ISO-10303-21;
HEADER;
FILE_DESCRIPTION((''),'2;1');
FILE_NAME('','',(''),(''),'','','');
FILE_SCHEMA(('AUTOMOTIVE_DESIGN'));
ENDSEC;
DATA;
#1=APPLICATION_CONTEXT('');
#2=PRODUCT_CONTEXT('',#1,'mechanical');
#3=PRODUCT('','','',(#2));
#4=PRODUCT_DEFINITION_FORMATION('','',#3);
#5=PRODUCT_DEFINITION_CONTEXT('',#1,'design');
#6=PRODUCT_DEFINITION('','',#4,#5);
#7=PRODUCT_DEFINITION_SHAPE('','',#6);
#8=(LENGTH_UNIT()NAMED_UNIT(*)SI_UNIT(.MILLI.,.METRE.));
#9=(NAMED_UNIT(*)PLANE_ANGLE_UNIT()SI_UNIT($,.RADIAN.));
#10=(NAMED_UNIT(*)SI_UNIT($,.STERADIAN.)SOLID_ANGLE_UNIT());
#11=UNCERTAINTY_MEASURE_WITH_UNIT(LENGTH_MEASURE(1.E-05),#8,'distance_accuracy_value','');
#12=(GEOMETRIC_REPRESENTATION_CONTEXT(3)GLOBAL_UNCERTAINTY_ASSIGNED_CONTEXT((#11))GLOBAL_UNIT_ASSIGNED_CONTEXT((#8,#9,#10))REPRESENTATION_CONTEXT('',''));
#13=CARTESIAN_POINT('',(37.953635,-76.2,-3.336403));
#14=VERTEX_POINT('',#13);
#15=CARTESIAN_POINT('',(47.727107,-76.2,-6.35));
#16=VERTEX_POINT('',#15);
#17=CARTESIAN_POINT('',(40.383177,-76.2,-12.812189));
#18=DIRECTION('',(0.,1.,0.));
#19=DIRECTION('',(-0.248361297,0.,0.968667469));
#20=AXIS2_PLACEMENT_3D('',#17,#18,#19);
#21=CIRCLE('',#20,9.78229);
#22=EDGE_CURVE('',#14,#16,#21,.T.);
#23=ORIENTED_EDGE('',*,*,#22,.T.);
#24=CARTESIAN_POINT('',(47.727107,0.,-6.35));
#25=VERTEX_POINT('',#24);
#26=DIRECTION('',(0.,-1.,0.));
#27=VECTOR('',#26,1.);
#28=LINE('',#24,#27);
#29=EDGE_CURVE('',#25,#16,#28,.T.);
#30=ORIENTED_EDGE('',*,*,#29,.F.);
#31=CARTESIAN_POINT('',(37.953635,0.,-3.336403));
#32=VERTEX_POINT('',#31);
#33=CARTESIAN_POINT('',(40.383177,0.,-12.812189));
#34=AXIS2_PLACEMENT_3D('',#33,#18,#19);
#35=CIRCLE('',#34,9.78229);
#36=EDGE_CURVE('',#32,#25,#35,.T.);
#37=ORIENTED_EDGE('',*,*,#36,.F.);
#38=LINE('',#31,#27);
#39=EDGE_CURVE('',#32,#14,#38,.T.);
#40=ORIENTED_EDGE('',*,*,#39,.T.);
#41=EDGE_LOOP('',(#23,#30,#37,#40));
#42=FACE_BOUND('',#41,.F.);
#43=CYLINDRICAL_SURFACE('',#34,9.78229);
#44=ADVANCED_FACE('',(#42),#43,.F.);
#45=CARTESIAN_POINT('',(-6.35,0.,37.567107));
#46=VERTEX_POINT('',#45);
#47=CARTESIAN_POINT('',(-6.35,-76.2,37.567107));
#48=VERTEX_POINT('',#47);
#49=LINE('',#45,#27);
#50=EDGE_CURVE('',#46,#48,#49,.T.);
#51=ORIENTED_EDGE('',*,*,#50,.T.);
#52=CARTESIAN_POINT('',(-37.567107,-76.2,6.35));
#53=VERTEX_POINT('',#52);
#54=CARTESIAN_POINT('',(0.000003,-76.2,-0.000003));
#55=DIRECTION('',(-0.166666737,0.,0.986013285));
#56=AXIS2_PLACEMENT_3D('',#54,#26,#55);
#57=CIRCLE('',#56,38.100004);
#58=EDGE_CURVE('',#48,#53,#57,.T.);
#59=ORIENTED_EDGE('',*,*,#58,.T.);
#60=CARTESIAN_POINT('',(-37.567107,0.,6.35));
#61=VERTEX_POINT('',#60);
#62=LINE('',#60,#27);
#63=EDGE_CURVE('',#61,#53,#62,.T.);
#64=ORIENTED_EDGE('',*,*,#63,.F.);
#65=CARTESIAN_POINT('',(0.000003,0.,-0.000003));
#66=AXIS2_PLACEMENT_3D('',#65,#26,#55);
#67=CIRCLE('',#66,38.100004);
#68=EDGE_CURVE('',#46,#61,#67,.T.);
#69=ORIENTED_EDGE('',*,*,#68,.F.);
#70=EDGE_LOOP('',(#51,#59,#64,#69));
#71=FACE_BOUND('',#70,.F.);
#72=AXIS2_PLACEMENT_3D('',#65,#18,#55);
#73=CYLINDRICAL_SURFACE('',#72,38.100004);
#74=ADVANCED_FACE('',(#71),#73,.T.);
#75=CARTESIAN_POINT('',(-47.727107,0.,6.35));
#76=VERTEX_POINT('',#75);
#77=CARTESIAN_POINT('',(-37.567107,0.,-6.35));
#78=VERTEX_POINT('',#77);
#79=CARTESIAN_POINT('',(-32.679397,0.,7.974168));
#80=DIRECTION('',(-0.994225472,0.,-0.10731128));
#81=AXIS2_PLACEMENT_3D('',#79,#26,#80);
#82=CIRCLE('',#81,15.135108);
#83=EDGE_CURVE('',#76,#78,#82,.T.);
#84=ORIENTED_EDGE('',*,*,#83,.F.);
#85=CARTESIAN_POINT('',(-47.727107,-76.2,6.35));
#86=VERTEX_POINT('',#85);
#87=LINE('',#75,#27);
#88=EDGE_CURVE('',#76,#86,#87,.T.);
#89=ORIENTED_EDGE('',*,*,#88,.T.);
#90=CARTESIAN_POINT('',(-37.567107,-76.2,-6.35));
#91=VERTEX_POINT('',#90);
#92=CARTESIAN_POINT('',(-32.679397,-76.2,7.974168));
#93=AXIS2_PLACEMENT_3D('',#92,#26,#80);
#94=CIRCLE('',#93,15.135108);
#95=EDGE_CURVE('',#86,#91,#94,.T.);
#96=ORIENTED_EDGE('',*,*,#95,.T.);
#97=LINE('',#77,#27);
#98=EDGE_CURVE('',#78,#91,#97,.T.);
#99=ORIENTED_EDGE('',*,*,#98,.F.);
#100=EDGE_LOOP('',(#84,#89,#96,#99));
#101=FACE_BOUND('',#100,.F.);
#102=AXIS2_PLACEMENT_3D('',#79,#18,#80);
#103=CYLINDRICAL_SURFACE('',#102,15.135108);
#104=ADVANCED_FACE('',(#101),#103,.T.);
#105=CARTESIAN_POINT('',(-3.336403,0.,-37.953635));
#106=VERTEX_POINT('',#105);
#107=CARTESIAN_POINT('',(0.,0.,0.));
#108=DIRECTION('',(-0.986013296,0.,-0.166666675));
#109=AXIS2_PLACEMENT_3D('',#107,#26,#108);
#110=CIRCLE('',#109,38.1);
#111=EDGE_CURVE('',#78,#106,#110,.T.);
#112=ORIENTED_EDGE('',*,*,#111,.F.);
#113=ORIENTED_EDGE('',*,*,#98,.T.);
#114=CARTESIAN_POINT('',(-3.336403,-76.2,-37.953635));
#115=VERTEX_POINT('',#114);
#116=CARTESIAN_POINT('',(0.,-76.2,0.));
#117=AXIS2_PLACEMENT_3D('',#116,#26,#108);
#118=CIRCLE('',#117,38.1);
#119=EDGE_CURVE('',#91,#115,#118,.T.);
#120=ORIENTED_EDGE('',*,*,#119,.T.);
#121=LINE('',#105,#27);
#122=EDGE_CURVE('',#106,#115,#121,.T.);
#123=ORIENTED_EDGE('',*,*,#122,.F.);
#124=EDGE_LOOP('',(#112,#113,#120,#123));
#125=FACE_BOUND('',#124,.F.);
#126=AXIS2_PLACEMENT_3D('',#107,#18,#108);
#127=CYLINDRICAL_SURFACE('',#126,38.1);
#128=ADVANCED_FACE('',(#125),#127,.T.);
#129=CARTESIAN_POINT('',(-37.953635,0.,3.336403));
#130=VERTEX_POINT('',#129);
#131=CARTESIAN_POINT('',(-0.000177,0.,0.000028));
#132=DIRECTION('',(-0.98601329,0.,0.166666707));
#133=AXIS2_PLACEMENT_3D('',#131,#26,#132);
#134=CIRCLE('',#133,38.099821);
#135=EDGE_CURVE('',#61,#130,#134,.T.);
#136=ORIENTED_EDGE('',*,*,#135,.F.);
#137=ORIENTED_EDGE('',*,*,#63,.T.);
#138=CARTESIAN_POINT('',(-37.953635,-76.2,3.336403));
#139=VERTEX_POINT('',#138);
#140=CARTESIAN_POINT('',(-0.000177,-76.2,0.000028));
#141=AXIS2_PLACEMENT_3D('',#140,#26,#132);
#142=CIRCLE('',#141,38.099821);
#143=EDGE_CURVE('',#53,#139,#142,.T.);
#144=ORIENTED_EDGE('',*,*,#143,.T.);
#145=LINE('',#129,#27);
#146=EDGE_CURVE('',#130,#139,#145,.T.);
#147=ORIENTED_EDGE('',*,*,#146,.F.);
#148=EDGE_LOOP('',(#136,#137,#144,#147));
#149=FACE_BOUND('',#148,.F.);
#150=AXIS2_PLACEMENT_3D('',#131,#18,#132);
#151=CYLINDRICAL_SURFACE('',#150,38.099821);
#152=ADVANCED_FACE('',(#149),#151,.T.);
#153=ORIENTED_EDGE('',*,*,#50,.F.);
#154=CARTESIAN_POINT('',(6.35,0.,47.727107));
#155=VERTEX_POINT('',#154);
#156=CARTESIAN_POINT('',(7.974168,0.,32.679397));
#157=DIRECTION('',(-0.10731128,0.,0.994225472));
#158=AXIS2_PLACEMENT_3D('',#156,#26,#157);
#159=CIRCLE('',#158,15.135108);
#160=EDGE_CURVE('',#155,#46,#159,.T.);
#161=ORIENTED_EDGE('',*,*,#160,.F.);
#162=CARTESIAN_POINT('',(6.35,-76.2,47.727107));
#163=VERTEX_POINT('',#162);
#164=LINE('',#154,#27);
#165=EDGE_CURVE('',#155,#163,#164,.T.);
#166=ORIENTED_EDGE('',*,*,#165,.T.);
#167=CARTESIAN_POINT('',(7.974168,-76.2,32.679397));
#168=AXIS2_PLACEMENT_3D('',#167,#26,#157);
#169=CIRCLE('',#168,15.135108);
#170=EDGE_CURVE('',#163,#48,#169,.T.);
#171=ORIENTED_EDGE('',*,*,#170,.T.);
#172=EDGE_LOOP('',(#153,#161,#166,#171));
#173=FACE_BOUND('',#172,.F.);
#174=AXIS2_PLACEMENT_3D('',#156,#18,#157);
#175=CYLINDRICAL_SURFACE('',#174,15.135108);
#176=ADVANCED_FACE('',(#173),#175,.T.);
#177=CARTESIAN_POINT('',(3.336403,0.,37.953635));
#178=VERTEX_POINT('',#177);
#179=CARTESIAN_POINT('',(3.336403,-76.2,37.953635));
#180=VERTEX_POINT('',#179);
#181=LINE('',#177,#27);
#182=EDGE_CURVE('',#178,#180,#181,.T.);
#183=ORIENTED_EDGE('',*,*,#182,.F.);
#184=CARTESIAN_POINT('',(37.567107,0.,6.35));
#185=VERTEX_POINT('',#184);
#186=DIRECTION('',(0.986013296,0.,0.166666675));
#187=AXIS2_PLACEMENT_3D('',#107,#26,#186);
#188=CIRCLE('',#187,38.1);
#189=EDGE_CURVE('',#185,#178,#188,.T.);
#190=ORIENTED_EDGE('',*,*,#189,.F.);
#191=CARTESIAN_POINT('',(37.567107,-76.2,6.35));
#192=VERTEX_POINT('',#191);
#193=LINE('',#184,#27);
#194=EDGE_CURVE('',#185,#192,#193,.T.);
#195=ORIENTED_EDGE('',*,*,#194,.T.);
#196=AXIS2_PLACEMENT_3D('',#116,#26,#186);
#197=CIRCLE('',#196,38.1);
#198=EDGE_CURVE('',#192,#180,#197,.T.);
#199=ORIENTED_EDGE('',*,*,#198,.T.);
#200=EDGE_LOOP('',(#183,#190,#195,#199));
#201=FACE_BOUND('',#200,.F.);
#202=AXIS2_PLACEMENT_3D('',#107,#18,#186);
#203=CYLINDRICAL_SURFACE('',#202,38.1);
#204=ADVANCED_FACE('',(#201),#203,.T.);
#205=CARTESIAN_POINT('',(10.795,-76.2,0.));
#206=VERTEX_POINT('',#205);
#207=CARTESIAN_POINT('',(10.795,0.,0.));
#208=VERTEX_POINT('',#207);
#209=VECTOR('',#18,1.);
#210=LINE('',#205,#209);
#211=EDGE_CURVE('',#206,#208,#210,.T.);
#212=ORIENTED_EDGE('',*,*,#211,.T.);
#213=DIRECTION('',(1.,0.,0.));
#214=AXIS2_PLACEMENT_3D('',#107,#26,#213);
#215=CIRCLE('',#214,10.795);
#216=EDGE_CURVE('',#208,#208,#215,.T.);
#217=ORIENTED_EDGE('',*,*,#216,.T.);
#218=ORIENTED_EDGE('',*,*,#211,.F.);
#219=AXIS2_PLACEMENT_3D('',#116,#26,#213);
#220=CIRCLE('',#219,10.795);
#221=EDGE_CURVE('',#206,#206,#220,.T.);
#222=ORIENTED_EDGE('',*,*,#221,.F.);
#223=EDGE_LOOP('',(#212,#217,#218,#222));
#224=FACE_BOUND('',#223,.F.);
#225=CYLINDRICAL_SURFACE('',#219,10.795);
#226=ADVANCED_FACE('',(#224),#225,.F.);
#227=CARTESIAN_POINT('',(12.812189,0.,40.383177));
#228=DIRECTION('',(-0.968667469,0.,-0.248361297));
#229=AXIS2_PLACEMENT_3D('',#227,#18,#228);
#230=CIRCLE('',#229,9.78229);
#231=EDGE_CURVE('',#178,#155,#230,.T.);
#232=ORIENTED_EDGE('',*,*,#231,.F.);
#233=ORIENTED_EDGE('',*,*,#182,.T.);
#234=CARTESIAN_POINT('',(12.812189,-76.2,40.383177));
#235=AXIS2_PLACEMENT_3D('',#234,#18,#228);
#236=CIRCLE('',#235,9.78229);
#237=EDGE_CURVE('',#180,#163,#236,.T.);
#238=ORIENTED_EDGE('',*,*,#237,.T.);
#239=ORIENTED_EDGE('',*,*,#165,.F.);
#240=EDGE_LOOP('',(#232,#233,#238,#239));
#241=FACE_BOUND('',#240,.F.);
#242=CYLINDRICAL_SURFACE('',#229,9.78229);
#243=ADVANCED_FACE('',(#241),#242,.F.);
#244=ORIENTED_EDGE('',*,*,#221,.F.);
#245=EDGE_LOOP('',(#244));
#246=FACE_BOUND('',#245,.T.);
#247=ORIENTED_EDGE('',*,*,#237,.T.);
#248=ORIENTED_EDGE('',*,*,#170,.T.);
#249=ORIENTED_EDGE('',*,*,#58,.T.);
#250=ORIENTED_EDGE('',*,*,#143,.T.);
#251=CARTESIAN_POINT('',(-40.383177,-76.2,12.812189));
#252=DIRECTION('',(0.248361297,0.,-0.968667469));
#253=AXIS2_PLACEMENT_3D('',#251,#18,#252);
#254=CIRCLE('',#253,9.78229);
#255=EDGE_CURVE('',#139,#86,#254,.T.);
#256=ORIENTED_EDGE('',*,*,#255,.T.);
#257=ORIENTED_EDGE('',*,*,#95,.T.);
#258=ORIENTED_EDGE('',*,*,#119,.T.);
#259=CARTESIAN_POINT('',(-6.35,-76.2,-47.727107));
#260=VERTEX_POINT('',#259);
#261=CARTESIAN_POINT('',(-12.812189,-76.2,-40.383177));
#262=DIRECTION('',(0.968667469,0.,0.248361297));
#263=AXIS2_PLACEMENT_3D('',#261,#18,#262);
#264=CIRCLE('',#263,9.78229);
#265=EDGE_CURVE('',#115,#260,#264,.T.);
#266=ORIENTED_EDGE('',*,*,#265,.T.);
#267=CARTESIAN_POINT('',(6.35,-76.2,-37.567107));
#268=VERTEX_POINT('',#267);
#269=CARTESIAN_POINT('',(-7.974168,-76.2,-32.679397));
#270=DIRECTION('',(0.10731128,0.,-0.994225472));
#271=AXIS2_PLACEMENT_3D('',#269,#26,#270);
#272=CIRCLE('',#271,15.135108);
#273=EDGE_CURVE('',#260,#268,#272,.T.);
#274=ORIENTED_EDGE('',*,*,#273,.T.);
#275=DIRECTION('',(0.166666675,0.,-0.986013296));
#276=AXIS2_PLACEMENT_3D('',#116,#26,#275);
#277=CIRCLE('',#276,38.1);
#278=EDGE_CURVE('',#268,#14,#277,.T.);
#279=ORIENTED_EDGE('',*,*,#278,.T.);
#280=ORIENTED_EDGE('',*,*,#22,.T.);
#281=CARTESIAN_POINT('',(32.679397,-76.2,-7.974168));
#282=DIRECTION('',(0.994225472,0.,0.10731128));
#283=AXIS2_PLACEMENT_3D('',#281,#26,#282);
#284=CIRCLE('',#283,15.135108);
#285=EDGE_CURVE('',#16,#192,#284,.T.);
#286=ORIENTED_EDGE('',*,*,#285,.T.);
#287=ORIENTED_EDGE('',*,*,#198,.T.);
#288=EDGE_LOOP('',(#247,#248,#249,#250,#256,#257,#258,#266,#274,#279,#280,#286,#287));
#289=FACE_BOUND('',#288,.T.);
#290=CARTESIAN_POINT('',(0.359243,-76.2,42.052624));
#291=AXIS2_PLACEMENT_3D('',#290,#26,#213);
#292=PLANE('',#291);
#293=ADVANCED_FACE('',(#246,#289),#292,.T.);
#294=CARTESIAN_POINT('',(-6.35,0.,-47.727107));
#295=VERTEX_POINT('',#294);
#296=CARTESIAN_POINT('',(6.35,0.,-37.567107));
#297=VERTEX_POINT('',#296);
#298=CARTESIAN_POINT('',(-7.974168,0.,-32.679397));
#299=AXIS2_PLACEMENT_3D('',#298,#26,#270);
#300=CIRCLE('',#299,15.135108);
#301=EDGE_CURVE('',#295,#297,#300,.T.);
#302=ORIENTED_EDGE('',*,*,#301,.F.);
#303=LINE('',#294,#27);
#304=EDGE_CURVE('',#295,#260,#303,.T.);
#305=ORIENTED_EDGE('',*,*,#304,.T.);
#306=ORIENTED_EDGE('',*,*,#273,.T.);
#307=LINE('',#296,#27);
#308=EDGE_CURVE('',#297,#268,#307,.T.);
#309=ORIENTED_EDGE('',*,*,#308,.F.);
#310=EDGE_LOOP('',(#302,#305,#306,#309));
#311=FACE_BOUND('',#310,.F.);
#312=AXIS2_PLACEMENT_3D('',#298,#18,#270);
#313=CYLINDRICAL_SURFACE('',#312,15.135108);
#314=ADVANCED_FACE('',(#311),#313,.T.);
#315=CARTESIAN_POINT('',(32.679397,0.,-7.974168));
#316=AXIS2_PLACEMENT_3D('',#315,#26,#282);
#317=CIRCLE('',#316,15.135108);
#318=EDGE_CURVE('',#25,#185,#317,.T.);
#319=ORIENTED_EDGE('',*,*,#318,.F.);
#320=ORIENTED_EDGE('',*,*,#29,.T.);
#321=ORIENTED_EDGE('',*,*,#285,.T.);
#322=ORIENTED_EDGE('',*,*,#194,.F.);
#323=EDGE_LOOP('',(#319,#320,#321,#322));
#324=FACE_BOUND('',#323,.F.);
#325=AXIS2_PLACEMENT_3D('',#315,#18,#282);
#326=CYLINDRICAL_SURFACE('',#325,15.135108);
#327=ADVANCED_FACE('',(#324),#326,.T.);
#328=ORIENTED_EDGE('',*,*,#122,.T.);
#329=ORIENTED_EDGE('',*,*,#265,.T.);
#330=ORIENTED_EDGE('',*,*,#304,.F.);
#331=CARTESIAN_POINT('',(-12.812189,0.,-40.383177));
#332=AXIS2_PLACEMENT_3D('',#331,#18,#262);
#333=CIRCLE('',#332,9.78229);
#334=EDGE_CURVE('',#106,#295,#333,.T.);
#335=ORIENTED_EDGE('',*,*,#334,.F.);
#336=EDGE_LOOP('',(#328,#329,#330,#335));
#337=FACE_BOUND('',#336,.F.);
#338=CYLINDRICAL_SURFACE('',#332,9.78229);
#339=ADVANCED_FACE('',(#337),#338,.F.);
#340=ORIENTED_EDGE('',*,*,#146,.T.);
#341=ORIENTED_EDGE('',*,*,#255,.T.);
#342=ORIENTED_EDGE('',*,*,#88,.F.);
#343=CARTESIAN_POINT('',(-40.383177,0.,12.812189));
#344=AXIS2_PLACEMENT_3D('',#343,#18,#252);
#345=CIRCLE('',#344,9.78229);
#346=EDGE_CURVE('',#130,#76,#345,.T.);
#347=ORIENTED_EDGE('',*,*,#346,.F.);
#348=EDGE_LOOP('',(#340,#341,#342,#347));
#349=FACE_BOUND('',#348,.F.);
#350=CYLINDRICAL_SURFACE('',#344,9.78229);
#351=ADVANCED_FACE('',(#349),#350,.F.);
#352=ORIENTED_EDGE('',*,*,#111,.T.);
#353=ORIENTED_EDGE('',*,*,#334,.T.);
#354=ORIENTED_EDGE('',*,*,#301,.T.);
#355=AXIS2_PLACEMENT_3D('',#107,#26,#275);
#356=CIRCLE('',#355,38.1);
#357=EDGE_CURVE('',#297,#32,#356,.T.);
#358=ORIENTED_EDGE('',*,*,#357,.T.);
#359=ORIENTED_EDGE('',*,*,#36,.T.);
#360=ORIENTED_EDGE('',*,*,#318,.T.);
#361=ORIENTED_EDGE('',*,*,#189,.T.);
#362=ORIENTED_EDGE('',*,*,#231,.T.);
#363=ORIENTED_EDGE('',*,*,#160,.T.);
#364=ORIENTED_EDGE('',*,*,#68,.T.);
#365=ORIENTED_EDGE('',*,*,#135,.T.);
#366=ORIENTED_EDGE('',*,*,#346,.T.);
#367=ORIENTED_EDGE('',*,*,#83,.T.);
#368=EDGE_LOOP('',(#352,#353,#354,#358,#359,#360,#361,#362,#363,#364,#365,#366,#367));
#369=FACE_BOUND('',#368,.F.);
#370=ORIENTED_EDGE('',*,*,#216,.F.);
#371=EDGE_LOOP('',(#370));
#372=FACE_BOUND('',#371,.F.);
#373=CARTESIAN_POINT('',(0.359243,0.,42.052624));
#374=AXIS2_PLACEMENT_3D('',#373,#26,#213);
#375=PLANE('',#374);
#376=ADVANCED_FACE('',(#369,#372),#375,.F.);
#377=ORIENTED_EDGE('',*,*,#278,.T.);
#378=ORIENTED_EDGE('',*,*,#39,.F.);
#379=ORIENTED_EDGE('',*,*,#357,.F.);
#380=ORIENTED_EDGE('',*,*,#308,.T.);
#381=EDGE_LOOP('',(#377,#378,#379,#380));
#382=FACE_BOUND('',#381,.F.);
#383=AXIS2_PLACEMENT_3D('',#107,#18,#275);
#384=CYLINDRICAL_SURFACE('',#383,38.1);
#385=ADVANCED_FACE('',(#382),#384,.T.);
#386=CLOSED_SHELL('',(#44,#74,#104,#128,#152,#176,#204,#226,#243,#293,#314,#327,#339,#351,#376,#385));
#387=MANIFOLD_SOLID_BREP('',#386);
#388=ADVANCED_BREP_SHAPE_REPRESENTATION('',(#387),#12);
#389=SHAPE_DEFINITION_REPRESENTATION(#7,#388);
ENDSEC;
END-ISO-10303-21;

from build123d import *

# Parameters (mm, degrees)
F1_DEPTH = 76.2
F2_R     = 10.795
F3_DEPTH = 76.201


with BuildPart() as f1:
    # F0 (on Front) → F1 (new body)
    with BuildSketch(Plane.XZ):
        with BuildLine():
            ThreePointArc((-6.35, 37.567107), (-1.519142, 38.069702), (3.336403, 37.953635))
            ThreePointArc((3.336403, 37.953635), (3.464197, 43.265579), (6.35, 47.727107))
            ThreePointArc((6.35, 47.727107), (-1.480659, 44.497931), (-6.35, 37.567107))
        make_face()
        with BuildLine():
            ThreePointArc((37.953635, -3.336403), (38.063391, -1.669806), (38.1, 0))
            ThreePointArc((38.1, 0), (37.966543, 3.186161), (37.567107, 6.35))
            ThreePointArc((37.567107, 6.35), (25.845149, 27.99354), (3.336403, 37.953635))
            ThreePointArc((3.336403, 37.953635), (-1.519142, 38.069702), (-6.35, 37.567107))
            ThreePointArc((-6.35, 37.567107), (-26.940768, 26.940768), (-37.567107, 6.35))
            ThreePointArc((-37.567107, 6.35), (-37.790423, 4.847056), (-37.953635, 3.336403))
            ThreePointArc((-37.953635, 3.336403), (-38.069702, -1.519142), (-37.567107, -6.35))
            ThreePointArc((-37.567107, -6.35), (-25.845149, -27.99354), (-3.336403, -37.953635))
            ThreePointArc((-3.336403, -37.953635), (1.519142, -38.069702), (6.35, -37.567107))
            ThreePointArc((6.35, -37.567107), (27.99354, -25.845149), (37.953635, -3.336403))
        make_face()
        with BuildLine():
            ThreePointArc((-47.727107, 6.35), (-44.497931, -1.480659), (-37.567107, -6.35))
            ThreePointArc((-37.567107, -6.35), (-38.069702, -1.519142), (-37.953635, 3.336403))
            ThreePointArc((-37.953635, 3.336403), (-43.265579, 3.464197), (-47.727107, 6.35))
        make_face()
        with BuildLine():
            ThreePointArc((37.567107, 6.35), (37.966543, 3.186161), (38.1, 0))
            ThreePointArc((38.1, 0), (38.063391, -1.669806), (37.953635, -3.336403))
            ThreePointArc((37.953635, -3.336403), (43.265579, -3.464197), (47.727107, -6.35))
            ThreePointArc((47.727107, -6.35), (44.497931, 1.480659), (37.567107, 6.35))
        make_face()
        with BuildLine():
            ThreePointArc((-6.35, -47.727107), (1.480659, -44.497931), (6.35, -37.567107))
            ThreePointArc((6.35, -37.567107), (1.519142, -38.069702), (-3.336403, -37.953635))
            ThreePointArc((-3.336403, -37.953635), (-3.464197, -43.265579), (-6.35, -47.727107))
        make_face()
    extrude(amount=F1_DEPTH)

    # F2 (on face) → F3 (cut, through all)
    with BuildSketch(Plane.XZ.offset(76.2)):
        Circle(F2_R)
    extrude(amount=-F3_DEPTH, mode=Mode.SUBTRACT)


solid = f1.part
